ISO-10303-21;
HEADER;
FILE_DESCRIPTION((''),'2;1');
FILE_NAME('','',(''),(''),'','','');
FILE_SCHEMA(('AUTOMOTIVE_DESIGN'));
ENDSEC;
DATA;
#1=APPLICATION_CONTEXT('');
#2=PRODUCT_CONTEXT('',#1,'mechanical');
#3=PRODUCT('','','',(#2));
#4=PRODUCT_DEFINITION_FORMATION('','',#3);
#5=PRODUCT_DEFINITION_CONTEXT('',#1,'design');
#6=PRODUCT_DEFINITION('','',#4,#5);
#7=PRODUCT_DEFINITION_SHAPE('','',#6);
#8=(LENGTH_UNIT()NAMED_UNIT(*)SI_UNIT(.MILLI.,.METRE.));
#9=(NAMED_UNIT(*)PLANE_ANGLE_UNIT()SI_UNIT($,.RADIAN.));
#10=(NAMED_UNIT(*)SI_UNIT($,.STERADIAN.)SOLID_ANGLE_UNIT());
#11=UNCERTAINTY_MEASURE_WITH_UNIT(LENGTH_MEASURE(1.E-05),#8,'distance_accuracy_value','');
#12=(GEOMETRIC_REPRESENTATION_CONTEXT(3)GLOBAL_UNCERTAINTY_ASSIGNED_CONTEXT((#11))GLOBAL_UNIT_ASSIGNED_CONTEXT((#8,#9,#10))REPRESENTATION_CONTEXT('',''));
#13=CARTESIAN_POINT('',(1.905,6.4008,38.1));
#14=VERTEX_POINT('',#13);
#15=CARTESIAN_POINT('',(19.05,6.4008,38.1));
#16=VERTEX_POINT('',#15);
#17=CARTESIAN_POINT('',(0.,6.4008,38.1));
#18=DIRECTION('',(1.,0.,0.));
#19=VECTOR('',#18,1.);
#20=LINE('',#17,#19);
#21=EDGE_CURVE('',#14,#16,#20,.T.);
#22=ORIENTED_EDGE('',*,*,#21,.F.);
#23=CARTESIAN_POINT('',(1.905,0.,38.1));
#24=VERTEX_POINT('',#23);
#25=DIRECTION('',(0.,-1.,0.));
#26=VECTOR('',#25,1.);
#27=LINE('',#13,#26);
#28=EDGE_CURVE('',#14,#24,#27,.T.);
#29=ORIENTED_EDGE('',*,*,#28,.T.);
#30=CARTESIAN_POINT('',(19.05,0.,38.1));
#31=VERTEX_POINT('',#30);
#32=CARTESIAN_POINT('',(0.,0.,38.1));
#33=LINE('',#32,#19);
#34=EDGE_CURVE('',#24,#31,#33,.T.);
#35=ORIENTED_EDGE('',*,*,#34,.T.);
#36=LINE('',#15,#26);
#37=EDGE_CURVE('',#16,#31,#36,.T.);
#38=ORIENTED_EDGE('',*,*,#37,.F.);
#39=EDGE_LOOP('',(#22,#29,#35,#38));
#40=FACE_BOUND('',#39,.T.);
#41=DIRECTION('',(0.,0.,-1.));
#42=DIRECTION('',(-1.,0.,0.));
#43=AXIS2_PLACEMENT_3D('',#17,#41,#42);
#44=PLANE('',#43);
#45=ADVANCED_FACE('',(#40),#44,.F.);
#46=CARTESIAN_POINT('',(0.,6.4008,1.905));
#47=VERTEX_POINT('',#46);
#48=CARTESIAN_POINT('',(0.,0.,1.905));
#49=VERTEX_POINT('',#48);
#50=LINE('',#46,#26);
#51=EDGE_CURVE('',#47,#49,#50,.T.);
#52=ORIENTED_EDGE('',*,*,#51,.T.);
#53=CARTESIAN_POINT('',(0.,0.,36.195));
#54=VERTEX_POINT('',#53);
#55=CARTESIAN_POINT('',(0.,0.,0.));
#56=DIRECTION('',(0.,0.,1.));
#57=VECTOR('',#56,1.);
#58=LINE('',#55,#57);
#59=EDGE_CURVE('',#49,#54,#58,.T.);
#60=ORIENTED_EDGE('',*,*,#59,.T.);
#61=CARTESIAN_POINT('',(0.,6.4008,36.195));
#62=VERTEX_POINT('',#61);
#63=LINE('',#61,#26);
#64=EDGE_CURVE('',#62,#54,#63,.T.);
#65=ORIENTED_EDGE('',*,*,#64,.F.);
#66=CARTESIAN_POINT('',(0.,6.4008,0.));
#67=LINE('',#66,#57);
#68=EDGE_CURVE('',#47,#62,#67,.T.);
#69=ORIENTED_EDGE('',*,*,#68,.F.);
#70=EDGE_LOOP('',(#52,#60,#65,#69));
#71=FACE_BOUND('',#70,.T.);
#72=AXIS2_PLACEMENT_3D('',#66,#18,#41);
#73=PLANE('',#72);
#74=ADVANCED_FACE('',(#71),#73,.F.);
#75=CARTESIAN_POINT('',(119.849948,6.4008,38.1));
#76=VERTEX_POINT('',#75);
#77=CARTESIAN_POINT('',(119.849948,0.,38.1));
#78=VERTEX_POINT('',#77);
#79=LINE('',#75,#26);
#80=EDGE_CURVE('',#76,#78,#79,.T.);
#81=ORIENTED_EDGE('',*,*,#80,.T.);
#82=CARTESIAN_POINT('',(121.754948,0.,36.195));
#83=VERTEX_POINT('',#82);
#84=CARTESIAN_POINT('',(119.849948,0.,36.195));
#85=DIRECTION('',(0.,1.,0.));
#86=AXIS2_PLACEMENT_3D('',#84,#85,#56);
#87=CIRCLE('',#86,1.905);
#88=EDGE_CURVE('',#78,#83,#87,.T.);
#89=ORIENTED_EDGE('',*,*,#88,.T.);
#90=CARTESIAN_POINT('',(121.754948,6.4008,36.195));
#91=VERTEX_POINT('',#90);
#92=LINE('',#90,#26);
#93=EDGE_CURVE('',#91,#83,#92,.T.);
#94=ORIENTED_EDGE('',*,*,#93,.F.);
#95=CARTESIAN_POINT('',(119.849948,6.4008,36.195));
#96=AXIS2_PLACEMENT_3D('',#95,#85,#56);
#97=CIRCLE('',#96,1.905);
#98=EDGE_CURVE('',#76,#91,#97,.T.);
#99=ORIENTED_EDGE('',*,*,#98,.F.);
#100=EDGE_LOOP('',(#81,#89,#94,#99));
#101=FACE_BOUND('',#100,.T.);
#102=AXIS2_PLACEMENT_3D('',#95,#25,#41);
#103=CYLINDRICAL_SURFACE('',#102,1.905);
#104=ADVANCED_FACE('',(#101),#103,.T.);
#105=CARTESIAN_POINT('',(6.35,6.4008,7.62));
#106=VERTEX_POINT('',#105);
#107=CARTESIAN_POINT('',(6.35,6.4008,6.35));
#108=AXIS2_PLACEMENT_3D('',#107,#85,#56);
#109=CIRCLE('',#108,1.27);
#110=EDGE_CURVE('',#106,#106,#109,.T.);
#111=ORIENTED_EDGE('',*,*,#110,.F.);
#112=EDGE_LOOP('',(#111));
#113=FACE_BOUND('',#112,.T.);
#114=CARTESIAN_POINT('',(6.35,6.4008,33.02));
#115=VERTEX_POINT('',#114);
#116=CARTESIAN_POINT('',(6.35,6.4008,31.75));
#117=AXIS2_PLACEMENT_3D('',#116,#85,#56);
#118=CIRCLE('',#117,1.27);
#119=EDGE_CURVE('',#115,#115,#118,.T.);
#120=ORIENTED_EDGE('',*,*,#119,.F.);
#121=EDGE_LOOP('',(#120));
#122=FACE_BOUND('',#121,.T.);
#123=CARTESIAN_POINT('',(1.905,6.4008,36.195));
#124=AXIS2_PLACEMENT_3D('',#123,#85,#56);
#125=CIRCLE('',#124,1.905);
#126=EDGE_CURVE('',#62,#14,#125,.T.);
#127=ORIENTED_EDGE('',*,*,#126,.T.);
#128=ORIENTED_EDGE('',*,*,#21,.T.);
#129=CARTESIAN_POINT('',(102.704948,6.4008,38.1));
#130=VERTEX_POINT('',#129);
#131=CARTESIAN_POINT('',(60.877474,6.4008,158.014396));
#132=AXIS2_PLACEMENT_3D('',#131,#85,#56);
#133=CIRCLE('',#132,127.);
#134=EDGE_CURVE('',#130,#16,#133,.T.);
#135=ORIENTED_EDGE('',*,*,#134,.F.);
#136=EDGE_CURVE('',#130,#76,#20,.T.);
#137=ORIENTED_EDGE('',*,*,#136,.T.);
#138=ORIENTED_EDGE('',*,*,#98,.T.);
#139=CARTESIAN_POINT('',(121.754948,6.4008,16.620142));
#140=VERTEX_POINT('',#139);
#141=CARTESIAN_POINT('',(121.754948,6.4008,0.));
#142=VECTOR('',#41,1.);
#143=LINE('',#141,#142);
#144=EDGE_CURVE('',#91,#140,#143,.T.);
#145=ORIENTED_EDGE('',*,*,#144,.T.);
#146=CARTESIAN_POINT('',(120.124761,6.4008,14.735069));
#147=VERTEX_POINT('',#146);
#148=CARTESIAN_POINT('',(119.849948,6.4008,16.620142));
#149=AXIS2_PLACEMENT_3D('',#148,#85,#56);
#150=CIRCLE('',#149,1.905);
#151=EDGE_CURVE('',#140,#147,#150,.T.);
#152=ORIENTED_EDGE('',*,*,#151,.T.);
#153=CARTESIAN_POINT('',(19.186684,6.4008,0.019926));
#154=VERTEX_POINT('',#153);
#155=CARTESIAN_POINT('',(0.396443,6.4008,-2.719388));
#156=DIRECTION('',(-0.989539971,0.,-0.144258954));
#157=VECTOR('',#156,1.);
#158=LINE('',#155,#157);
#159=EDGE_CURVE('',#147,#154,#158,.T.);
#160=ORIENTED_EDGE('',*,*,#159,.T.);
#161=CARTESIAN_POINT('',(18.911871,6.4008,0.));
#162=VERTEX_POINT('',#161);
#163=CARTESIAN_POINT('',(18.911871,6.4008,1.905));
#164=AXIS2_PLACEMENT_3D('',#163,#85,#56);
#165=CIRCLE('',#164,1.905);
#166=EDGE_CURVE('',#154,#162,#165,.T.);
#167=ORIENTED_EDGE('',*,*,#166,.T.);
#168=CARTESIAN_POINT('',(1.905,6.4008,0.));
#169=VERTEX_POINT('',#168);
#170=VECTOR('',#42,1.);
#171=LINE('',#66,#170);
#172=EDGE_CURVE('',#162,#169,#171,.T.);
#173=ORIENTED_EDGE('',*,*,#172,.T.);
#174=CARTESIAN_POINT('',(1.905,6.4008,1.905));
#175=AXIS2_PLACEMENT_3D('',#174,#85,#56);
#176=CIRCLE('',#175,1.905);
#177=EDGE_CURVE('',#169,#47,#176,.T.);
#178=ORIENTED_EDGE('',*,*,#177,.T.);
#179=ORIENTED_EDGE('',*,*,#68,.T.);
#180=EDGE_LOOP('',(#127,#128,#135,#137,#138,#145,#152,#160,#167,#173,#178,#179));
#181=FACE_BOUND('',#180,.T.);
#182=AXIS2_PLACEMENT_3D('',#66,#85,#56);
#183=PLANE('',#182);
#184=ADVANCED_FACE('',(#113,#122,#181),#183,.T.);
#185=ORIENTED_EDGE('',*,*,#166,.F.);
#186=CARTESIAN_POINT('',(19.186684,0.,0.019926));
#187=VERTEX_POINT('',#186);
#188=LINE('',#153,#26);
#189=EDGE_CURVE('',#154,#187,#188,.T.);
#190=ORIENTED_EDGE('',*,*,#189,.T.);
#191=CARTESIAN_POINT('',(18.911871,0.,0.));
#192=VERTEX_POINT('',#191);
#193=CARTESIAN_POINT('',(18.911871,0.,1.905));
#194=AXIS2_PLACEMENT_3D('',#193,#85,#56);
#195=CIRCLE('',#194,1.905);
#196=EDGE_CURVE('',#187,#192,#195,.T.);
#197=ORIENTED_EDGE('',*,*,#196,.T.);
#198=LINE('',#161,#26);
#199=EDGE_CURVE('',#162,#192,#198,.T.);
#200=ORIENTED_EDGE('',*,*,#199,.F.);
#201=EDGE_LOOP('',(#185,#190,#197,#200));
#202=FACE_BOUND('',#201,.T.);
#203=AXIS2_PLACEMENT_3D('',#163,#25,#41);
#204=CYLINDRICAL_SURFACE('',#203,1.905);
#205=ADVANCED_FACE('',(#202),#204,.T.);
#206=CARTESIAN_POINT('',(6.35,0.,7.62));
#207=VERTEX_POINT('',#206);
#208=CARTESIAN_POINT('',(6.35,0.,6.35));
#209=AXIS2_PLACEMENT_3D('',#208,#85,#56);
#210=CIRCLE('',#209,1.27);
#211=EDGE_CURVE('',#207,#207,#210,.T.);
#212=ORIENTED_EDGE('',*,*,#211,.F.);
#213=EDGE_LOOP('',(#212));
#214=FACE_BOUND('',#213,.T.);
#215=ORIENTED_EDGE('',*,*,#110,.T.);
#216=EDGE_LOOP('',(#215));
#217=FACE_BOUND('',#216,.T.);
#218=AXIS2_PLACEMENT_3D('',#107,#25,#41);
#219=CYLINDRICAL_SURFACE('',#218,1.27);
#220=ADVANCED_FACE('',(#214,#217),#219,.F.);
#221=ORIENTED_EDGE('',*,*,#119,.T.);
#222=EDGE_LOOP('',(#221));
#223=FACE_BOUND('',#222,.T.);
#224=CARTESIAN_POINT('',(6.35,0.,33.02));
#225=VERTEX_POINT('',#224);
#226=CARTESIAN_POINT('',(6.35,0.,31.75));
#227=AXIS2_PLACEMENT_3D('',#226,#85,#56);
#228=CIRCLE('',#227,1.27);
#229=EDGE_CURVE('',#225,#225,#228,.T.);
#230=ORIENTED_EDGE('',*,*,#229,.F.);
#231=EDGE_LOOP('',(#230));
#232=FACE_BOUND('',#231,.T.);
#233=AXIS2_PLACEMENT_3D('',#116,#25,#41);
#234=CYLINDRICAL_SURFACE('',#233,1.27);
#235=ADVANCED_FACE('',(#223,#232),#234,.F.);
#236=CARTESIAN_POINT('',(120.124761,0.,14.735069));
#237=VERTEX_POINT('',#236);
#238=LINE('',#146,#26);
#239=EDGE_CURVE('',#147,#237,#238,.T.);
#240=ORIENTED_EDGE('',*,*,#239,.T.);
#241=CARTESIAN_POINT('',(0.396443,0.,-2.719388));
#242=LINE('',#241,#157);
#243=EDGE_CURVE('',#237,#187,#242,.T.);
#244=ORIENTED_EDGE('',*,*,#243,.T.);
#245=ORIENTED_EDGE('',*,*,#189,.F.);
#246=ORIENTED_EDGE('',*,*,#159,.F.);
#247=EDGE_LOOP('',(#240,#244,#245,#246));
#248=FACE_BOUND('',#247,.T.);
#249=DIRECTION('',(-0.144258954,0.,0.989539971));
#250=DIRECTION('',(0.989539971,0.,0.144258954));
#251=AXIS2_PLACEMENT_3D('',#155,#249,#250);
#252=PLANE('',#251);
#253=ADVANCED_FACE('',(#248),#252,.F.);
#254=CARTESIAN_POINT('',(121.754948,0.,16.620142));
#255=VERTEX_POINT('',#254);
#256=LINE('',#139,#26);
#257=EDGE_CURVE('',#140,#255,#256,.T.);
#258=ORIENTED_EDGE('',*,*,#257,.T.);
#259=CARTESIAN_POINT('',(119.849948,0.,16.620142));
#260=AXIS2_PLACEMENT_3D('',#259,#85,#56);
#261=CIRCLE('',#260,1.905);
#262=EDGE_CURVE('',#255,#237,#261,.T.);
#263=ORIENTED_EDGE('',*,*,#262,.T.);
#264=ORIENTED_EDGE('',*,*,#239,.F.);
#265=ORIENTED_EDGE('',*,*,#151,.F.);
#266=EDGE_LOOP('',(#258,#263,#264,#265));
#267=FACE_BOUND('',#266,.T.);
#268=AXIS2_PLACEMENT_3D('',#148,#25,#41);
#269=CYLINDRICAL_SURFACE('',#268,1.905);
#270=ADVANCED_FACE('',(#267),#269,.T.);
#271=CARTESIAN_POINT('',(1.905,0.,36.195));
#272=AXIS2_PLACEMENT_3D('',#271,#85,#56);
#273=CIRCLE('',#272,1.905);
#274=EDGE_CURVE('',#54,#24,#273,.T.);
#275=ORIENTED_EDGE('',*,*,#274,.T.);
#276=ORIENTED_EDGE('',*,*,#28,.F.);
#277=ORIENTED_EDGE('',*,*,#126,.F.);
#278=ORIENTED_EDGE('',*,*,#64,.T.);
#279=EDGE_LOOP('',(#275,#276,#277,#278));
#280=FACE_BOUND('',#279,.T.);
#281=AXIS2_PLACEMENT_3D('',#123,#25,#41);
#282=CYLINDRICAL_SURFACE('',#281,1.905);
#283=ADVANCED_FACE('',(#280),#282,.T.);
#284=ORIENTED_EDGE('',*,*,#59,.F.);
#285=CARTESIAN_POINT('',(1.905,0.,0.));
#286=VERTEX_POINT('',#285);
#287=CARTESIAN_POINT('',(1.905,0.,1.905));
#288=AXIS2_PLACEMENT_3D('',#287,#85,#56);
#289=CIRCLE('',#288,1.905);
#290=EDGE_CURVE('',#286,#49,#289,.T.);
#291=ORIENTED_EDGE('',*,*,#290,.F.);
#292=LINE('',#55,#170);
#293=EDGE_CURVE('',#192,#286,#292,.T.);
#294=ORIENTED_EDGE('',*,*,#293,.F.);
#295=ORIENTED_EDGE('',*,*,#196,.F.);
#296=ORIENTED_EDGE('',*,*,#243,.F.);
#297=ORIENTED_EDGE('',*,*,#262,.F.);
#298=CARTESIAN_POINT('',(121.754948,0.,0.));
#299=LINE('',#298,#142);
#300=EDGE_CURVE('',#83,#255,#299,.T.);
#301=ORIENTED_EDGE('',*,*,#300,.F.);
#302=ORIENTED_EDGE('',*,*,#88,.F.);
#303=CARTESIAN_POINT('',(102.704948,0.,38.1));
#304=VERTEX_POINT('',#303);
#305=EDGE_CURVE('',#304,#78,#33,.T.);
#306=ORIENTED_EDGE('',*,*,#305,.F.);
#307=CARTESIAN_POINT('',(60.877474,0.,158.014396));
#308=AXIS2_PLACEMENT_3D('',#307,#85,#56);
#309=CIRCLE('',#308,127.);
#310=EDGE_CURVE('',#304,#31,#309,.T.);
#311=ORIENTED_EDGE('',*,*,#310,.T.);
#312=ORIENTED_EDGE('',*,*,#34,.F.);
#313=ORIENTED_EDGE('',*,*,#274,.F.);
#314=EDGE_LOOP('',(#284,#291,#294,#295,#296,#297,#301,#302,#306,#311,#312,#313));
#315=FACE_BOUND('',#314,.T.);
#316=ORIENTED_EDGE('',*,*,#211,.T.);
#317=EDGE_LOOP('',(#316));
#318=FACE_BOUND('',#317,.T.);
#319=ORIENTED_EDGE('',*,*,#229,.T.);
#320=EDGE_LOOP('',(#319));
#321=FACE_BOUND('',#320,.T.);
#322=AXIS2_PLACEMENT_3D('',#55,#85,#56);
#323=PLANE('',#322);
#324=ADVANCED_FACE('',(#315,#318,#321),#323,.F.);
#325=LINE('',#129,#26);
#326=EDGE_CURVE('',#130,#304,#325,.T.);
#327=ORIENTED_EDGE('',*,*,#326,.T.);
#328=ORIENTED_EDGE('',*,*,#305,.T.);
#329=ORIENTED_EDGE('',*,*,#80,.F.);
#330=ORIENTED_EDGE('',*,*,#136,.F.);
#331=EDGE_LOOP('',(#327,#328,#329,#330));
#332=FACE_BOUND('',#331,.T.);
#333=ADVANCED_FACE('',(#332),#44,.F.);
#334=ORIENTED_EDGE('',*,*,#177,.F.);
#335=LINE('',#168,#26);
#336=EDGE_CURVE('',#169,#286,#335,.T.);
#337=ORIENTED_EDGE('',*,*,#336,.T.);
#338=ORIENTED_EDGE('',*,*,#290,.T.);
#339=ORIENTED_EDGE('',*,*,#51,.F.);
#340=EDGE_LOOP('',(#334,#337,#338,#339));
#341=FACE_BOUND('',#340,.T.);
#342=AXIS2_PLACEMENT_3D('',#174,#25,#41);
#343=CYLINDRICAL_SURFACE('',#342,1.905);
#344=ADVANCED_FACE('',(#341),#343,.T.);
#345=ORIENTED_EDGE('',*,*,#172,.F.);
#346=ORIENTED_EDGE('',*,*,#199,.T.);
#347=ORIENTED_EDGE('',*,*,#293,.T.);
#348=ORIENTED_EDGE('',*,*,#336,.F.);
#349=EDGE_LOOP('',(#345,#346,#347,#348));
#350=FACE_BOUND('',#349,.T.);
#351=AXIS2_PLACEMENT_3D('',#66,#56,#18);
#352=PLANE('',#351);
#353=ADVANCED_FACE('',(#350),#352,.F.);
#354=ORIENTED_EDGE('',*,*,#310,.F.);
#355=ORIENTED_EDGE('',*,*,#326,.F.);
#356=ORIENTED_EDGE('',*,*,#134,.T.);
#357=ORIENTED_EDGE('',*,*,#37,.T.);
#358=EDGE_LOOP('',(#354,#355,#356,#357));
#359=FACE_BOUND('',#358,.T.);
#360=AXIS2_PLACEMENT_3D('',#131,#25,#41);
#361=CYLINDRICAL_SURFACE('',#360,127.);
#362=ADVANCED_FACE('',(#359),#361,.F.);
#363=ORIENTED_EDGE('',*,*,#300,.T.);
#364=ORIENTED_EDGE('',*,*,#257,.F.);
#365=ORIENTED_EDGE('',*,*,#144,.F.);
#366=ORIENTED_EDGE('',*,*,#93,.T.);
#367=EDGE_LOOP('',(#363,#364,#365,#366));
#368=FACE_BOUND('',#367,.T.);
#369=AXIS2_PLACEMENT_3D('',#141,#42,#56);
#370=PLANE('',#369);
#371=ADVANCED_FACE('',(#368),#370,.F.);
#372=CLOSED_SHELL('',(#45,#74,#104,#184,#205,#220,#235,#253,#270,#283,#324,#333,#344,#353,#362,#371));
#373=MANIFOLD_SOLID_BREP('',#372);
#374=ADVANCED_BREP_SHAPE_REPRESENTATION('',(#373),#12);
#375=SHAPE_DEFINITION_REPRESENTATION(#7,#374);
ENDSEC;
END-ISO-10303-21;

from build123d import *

# Parameters (mm, degrees)
SKETCH1_R           = 1.27
BOSS_EXTRUDE1_DEPTH = 6.4008


with BuildPart() as part:
    # Sketch1 → Boss-Extrude1 (new body)
    with BuildSketch(Plane(origin=(0, 0, 0), x_dir=(1, 0, 0), z_dir=(0, 1, 0))):
        with BuildLine():
            ThreePointArc((1.905, 0), (0.557961582, -0.557961582), (0, -1.905))
            Line((0, -1.905), (0, -36.195))
            ThreePointArc((0, -36.195), (0.557961582, -37.542038418), (1.905, -38.1))
            Line((1.905, -38.1), (19.05, -38.1))
            ThreePointArc((19.05, -38.1), (60.877473761, -31.014396295), (102.704947522, -38.1))
            Line((102.704947522, -38.1), (119.849947522, -38.1))
            ThreePointArc((119.849947522, -38.1), (121.19698594, -37.542038418), (121.754947522, -36.195))
            Line((121.754947522, -36.195), (121.754947522, -16.620142149))
            ThreePointArc((121.754947522, -16.620142149), (121.290875062, -15.374047118), (120.124760829, -14.735068504))
            Line((120.124760829, -14.735068504), (19.186684237, -0.019926355))
            ThreePointArc((19.186684237, -0.019926355), (19.049638318, -0.004988119), (18.911870929, 0))
            Line((18.911870929, 0), (1.905, 0))
        make_face()
        with Locations((6.35, -31.75)):
            Circle(SKETCH1_R, mode=Mode.SUBTRACT)
        with Locations((6.35, -6.35)):
            Circle(SKETCH1_R, mode=Mode.SUBTRACT)
    extrude(amount=BOSS_EXTRUDE1_DEPTH)


solid = part.part
